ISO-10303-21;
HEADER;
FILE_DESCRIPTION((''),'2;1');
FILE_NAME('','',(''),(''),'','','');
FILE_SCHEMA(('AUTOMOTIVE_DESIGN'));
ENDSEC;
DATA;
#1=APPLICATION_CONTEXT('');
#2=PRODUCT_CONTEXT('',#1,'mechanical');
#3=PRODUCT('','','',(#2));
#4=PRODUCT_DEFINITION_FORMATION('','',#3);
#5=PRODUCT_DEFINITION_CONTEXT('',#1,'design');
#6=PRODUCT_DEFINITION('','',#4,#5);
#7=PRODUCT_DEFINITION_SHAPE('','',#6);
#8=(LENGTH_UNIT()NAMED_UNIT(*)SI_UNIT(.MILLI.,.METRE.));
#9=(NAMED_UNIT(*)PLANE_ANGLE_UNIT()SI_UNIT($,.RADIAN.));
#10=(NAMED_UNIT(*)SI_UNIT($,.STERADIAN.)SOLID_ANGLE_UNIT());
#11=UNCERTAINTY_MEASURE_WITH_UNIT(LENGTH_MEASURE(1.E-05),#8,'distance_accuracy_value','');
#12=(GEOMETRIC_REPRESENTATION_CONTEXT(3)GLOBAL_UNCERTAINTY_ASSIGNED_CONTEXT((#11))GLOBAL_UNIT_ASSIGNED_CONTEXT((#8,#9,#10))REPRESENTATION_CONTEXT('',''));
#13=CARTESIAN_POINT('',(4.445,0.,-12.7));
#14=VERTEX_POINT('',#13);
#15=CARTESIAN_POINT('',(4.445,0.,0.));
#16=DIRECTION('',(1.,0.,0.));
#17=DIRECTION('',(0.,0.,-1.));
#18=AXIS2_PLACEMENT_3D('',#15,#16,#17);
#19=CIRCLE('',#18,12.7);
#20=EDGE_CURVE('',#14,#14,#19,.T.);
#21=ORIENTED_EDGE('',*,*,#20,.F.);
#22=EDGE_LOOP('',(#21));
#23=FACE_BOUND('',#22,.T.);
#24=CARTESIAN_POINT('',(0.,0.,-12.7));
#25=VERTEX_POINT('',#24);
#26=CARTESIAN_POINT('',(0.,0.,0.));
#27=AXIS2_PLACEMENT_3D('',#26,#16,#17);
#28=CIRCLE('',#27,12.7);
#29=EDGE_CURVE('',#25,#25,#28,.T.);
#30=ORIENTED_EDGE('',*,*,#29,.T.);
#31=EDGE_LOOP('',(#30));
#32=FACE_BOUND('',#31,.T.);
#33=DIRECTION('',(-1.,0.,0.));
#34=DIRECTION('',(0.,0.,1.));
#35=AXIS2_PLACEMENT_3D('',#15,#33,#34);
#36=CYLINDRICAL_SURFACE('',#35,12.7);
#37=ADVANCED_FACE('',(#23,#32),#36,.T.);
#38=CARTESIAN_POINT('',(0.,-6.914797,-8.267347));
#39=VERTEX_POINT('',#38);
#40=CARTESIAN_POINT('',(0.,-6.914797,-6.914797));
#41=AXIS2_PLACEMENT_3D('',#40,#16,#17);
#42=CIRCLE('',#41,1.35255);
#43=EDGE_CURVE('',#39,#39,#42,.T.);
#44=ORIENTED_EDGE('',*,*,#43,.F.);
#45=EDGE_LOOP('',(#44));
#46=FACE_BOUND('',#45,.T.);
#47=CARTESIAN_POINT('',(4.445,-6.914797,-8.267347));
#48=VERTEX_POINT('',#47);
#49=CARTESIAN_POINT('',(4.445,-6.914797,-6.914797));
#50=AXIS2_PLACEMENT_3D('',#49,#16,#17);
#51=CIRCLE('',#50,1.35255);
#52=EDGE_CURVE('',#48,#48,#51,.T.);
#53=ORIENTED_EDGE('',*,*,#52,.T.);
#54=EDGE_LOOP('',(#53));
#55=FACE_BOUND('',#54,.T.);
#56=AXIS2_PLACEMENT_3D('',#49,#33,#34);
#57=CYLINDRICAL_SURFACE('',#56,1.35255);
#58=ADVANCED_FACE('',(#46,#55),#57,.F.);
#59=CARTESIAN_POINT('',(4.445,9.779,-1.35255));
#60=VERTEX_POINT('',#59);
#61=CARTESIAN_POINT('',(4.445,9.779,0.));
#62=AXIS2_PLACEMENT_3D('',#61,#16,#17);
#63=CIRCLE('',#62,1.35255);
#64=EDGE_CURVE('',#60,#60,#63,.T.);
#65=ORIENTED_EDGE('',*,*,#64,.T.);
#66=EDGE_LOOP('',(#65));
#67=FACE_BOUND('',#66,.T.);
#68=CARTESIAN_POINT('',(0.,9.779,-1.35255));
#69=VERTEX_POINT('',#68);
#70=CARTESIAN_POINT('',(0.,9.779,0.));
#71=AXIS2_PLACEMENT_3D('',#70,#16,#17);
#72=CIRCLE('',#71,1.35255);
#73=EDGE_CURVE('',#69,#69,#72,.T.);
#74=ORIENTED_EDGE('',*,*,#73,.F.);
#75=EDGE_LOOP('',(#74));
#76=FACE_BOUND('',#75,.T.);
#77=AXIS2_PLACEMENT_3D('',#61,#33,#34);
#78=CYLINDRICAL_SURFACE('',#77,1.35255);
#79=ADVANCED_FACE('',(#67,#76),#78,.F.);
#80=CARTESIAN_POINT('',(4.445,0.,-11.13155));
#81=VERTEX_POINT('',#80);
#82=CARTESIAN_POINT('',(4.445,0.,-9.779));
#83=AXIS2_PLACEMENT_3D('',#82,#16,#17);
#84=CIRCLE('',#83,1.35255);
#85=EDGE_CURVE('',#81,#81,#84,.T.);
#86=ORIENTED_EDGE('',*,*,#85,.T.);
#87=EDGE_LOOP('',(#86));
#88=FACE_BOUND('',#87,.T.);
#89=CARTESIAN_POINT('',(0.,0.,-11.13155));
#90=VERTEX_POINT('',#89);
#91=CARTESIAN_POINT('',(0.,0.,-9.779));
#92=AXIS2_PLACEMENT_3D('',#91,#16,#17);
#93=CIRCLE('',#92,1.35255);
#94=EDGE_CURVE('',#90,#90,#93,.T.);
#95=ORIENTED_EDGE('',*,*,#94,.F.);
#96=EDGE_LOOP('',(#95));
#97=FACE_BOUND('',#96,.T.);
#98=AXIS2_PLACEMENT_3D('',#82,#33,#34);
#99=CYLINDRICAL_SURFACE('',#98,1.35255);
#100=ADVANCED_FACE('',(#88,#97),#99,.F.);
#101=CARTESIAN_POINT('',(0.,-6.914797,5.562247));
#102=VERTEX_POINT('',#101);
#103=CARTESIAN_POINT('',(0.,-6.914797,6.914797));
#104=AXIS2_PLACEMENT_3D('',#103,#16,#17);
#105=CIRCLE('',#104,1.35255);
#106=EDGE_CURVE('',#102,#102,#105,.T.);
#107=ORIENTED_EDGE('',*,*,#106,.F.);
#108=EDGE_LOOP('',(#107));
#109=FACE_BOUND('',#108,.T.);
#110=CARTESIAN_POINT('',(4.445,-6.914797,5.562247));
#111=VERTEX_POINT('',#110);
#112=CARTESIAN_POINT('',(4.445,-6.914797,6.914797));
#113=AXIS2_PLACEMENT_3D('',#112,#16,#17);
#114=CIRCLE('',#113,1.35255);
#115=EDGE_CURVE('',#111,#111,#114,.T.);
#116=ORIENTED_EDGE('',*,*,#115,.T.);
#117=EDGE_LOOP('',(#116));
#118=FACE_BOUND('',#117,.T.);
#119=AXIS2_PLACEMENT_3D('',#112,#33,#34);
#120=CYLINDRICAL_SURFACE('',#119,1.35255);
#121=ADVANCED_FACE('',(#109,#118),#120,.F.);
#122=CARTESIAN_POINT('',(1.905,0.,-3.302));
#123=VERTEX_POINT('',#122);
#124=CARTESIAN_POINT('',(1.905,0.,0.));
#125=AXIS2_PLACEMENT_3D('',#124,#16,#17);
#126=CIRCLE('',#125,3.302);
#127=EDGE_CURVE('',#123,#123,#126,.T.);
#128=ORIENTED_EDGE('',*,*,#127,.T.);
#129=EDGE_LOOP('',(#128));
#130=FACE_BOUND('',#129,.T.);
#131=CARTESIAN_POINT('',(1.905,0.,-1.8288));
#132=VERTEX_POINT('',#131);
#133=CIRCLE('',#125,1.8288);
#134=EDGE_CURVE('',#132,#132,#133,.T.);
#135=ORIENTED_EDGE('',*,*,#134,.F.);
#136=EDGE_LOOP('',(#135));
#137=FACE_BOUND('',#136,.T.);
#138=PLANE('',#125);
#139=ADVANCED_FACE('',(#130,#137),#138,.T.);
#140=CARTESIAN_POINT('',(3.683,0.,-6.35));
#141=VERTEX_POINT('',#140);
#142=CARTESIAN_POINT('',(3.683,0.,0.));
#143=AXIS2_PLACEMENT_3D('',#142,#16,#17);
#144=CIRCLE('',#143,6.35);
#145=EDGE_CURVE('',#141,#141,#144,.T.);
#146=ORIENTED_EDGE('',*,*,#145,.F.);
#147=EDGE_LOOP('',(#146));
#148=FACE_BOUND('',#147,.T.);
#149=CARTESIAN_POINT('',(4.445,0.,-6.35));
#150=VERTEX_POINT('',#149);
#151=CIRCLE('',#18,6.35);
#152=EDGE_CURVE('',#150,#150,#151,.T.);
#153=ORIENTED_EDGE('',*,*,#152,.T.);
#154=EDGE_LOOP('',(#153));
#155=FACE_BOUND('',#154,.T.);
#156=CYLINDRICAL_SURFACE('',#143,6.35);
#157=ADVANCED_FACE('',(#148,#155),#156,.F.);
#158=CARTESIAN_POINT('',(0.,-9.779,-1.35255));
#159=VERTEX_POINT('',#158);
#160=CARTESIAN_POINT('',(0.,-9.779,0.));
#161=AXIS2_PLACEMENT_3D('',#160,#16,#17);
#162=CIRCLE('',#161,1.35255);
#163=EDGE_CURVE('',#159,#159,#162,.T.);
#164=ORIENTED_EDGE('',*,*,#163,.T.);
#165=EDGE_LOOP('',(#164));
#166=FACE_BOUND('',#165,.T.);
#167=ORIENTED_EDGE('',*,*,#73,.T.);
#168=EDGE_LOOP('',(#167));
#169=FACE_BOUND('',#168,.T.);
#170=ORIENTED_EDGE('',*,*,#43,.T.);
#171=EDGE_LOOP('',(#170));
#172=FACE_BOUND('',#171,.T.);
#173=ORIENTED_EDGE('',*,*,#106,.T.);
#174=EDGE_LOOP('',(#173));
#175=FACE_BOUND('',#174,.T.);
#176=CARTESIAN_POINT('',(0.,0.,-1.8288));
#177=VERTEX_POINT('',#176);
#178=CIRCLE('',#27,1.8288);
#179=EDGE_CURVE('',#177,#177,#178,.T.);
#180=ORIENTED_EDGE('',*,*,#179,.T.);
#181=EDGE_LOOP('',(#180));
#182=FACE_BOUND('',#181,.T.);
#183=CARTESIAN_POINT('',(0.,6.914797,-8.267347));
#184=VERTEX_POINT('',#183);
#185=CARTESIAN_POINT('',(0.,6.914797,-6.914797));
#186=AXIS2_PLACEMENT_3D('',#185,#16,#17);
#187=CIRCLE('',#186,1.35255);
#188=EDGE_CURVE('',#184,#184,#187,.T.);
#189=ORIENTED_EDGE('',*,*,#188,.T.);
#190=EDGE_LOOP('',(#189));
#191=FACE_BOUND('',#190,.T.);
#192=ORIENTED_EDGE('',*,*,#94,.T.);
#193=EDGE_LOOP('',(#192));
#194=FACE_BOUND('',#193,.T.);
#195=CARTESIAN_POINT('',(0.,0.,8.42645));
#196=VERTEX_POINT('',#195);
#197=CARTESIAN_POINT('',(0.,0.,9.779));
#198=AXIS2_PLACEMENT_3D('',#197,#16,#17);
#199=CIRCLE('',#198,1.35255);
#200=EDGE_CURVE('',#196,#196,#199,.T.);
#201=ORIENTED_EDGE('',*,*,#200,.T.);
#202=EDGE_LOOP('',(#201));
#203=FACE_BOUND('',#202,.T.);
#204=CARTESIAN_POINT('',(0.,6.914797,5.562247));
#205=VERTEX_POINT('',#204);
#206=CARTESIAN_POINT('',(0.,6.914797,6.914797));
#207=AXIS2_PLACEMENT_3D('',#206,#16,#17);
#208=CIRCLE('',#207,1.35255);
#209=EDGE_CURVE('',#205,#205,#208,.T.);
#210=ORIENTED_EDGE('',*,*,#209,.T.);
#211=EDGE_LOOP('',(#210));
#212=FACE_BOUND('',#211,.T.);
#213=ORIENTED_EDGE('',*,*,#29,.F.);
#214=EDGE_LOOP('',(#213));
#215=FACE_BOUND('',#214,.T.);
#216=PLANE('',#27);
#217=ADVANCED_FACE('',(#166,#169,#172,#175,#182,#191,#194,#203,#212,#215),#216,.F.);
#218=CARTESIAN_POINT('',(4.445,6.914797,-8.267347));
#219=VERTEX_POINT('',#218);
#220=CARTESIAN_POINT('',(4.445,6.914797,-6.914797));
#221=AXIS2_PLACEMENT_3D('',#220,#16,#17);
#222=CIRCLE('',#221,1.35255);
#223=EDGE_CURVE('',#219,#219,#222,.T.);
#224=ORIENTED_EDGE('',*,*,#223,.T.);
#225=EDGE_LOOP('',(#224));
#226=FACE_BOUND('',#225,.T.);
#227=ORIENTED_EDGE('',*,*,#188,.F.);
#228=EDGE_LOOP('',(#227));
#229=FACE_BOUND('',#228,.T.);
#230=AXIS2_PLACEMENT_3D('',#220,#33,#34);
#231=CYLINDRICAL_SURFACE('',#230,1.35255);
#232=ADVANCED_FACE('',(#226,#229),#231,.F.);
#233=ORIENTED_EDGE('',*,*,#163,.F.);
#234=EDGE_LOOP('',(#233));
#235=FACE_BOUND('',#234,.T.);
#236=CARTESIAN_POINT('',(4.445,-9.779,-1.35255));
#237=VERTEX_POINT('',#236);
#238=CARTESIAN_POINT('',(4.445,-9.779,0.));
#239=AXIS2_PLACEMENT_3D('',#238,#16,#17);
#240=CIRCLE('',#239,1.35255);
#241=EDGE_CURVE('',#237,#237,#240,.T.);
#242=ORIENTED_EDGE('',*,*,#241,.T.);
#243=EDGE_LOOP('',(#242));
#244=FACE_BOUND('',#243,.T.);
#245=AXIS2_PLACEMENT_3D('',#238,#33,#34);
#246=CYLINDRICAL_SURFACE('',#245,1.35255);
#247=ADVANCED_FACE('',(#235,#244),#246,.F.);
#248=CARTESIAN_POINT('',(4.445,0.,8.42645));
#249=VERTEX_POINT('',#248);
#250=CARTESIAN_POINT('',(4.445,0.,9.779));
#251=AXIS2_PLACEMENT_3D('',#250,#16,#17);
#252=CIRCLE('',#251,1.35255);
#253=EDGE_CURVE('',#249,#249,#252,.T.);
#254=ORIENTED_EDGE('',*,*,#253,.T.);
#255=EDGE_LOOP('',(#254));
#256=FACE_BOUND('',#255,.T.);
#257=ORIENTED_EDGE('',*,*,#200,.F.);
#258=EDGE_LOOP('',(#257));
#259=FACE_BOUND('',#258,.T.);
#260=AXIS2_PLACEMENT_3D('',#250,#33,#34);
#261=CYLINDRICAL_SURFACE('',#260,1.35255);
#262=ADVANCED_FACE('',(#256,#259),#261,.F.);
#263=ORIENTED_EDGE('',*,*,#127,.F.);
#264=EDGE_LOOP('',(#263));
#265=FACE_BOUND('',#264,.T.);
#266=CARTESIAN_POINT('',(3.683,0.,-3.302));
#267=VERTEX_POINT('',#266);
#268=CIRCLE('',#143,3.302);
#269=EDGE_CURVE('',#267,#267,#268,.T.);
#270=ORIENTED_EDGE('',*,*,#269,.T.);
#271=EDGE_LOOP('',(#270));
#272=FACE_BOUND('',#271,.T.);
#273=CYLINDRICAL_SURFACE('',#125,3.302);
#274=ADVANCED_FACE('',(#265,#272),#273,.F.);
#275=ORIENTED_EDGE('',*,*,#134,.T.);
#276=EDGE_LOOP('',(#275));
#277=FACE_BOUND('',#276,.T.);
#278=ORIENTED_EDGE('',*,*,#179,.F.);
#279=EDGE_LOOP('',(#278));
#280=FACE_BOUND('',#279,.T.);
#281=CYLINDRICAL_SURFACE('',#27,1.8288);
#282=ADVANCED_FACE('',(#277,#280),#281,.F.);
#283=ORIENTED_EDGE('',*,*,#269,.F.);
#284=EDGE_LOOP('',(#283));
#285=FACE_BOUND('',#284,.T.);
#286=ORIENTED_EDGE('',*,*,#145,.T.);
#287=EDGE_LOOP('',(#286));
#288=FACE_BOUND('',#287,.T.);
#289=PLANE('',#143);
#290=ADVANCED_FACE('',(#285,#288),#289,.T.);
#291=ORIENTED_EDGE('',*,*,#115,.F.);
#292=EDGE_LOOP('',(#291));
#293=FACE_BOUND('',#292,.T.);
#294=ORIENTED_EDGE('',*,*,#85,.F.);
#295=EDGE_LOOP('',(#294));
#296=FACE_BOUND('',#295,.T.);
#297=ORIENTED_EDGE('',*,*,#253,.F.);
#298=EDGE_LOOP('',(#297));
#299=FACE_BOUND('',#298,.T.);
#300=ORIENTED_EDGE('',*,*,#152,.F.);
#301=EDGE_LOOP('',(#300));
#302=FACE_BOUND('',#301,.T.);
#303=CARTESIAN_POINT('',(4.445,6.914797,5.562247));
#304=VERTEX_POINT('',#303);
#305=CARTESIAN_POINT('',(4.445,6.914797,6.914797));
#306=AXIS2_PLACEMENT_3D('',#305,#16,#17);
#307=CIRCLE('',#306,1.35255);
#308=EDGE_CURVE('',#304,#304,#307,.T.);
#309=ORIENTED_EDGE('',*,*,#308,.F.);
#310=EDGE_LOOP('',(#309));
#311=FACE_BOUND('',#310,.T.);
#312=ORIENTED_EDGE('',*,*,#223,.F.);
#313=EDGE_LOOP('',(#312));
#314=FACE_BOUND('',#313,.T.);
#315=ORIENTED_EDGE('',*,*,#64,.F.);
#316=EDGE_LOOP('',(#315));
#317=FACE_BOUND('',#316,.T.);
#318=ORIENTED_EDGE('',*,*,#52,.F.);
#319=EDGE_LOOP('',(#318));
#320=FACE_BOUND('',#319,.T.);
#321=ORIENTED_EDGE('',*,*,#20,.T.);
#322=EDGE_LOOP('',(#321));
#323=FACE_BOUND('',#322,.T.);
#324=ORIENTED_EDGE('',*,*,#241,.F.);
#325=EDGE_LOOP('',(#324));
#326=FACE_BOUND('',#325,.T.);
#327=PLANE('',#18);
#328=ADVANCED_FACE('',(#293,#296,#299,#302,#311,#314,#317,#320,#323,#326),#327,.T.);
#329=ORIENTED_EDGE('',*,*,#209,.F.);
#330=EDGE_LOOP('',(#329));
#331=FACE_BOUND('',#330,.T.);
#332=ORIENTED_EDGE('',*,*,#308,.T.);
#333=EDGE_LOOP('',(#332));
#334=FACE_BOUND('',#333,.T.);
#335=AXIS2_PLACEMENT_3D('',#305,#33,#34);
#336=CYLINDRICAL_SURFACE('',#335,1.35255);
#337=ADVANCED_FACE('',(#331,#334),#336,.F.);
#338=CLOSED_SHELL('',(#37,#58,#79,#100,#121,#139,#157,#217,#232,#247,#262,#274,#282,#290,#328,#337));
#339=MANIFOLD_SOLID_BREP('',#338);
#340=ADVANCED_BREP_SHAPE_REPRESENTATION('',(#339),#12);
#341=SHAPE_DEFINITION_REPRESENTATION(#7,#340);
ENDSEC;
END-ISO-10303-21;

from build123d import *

# Parameters (mm, degrees)
SKETCH1_R           = 12.7
SKETCH1_R_2         = 1.35255
BOSS_EXTRUDE1_DEPTH = 4.445
SKETCH2_R           = 6.35
CUT_EXTRUDE1_DEPTH  = 0.762
SKETCH3_R           = 3.302
CUT_EXTRUDE2_DEPTH  = 1.778
SKETCH4_R           = 1.8288
CUT_EXTRUDE3_DEPTH  = 2.905


with BuildPart() as part:
    # Sketch1 → Boss-Extrude1 (new body)
    with BuildSketch(Plane(origin=(0, 0, 0), x_dir=(0, 0, -1), z_dir=(1, 0, 0))):
        Circle(SKETCH1_R)
        with Locations((0, 9.779)):
            Circle(SKETCH1_R_2, mode=Mode.SUBTRACT)
        with Locations((6.914797213, 6.914797213)):
            Circle(SKETCH1_R_2, mode=Mode.SUBTRACT)
        with Locations((9.779, 0)):
            Circle(SKETCH1_R_2, mode=Mode.SUBTRACT)
        with Locations((6.914797213, -6.914797213)):
            Circle(SKETCH1_R_2, mode=Mode.SUBTRACT)
        with Locations((0, -9.779)):
            Circle(SKETCH1_R_2, mode=Mode.SUBTRACT)
        with Locations((-6.914797213, -6.914797213)):
            Circle(SKETCH1_R_2, mode=Mode.SUBTRACT)
        with Locations((-9.779, 0)):
            Circle(SKETCH1_R_2, mode=Mode.SUBTRACT)
        with Locations((-6.914797213, 6.914797213)):
            Circle(SKETCH1_R_2, mode=Mode.SUBTRACT)
    extrude(amount=BOSS_EXTRUDE1_DEPTH)

    # Sketch2 → Cut-Extrude1 (cut)
    with BuildSketch(Plane(origin=(4.445, 0, 0), x_dir=(0, 0, -1), z_dir=(1, 0, 0))):
        Circle(SKETCH2_R)
    extrude(amount=-CUT_EXTRUDE1_DEPTH, mode=Mode.SUBTRACT)

    # Sketch3 → Cut-Extrude2 (cut)
    with BuildSketch(Plane(origin=(3.683, 0, 0), x_dir=(0, 0, -1), z_dir=(1, 0, 0))):
        Circle(SKETCH3_R)
    extrude(amount=-CUT_EXTRUDE2_DEPTH, mode=Mode.SUBTRACT)

    # Sketch4 → Cut-Extrude3 (cut, through all)
    with BuildSketch(Plane(origin=(1.905, 0, 0), x_dir=(0, 0, -1), z_dir=(1, 0, 0))):
        Circle(SKETCH4_R)
    extrude(amount=-CUT_EXTRUDE3_DEPTH, mode=Mode.SUBTRACT)


solid = part.part
